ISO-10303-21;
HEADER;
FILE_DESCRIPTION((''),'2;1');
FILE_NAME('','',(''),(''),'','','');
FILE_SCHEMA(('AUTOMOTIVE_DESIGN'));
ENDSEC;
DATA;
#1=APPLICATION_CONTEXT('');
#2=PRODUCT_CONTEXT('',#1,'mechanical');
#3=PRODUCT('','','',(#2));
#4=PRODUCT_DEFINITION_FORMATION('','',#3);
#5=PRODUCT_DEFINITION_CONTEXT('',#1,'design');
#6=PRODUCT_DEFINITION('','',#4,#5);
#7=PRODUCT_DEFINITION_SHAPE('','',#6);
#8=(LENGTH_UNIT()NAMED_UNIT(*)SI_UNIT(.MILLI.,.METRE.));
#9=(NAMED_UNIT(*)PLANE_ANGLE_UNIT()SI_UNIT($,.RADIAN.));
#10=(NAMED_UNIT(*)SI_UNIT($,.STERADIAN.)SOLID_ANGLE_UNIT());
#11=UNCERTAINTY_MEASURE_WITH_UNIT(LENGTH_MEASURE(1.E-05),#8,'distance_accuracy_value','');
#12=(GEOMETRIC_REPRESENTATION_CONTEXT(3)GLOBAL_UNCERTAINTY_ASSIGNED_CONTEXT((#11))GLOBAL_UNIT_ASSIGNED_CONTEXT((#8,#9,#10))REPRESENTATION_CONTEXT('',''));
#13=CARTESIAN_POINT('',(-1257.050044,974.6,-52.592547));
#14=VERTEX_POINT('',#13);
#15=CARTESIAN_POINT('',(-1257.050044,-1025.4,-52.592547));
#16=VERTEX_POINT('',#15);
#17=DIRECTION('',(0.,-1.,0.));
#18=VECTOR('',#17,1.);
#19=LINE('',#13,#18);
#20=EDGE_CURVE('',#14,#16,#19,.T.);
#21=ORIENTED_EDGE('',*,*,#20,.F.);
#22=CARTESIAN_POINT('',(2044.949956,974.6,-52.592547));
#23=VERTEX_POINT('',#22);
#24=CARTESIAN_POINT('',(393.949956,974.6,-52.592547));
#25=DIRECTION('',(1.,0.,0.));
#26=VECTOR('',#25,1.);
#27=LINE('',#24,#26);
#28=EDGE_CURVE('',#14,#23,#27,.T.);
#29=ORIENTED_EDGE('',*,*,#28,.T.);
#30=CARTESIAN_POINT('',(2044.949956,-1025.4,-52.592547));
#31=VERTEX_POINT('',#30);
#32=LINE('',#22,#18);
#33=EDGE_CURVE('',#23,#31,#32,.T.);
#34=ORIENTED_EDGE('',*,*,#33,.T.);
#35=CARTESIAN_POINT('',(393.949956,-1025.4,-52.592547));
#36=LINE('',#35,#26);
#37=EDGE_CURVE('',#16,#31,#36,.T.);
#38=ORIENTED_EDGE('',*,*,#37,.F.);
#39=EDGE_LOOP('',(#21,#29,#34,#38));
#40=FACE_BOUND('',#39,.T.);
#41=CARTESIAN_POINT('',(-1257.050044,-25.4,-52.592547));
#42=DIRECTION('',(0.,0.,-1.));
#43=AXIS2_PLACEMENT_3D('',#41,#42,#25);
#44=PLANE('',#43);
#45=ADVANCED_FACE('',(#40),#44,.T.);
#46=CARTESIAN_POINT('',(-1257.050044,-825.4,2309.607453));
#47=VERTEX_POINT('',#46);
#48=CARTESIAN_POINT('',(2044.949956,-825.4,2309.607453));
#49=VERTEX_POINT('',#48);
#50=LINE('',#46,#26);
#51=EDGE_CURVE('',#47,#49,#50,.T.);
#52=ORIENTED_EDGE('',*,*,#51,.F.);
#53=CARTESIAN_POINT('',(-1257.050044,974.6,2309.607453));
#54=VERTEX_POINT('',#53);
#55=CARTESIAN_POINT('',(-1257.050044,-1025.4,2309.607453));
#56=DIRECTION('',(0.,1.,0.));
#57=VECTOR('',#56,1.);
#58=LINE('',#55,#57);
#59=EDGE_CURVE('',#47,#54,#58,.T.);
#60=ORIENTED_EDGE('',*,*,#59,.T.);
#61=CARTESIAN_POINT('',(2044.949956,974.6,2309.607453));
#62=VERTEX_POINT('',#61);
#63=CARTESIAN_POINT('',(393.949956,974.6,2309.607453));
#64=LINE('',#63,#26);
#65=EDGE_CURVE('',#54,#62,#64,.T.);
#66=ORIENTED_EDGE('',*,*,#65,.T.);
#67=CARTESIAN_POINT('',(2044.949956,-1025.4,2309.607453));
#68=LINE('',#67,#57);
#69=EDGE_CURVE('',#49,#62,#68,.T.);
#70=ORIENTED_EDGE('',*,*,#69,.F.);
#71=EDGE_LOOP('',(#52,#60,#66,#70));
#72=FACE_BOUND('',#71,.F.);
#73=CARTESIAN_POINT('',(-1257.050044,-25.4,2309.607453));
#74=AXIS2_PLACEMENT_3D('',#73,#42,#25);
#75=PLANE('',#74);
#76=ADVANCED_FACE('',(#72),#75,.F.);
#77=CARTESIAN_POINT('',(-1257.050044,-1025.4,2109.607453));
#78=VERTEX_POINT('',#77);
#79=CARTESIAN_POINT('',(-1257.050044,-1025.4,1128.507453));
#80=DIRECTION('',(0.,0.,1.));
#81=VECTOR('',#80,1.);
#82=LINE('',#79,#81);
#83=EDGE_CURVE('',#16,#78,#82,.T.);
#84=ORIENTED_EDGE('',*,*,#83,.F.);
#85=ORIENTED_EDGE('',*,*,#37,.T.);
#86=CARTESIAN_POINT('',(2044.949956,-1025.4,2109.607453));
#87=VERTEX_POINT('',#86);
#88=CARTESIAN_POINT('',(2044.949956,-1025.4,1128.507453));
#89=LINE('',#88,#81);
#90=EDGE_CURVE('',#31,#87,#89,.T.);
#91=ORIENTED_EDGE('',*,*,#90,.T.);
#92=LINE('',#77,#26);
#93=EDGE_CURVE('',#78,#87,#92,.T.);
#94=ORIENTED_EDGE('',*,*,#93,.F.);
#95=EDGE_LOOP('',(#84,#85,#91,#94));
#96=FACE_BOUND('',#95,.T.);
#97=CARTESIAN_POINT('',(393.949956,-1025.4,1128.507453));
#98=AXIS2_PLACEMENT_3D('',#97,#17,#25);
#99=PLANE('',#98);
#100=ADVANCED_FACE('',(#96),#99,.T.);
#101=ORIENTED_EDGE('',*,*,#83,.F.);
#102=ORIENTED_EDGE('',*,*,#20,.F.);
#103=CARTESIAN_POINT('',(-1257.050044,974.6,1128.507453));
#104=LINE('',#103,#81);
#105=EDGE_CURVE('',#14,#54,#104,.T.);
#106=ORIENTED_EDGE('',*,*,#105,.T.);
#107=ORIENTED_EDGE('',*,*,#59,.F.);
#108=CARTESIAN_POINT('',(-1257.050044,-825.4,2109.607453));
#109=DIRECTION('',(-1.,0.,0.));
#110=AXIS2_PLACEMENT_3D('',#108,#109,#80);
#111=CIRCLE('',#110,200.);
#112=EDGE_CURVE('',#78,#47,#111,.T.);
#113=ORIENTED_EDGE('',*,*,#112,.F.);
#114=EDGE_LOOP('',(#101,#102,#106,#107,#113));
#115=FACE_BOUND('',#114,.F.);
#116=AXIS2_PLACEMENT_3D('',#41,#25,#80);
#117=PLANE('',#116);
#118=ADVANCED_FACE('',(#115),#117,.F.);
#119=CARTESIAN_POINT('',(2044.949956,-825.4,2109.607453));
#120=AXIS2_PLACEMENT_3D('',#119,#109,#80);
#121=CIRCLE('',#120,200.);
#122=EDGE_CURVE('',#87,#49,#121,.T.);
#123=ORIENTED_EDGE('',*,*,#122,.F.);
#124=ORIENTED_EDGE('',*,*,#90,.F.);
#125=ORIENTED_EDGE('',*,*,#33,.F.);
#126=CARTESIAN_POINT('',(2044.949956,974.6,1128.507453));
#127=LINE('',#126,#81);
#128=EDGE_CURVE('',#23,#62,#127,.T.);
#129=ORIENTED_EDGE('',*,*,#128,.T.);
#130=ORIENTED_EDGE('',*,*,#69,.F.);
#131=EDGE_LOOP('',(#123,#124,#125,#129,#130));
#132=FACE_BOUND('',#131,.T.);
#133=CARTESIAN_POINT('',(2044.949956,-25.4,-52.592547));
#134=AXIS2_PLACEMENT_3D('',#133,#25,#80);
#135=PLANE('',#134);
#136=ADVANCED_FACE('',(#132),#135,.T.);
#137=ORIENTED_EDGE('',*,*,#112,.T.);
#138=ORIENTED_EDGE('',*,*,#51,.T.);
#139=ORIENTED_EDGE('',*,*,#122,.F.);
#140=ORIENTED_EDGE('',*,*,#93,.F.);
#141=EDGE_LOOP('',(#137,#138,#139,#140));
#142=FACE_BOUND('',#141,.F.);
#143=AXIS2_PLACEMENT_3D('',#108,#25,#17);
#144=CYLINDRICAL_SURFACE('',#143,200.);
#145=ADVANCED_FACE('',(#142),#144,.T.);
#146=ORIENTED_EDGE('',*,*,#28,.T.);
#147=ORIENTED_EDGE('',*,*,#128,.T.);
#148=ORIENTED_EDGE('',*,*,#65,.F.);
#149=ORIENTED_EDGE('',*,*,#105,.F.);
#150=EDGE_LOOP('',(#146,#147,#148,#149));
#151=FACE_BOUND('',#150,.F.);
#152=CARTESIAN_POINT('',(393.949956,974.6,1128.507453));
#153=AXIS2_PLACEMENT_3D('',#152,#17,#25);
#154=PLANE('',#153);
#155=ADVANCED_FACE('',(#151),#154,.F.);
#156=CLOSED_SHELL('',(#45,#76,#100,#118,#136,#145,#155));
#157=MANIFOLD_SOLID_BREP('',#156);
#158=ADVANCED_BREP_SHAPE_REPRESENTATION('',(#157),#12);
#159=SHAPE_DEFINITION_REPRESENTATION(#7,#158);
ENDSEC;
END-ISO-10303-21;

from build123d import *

# Parameters (mm, degrees)
F0_W     = 3302
F0_H     = 2362.2
F1_DEPTH = 25.4
F2_DEPTH = 1000
F3_R     = 200


with BuildPart() as f1:
    # F0 (on Front) → F1 (new body)
    with BuildSketch(Plane.XZ):
        with Locations((393.9499557018, 1128.5074533472)):
            Rectangle(F0_W, F0_H)
    extrude(amount=F1_DEPTH)

    # F2 (add, symmetric): a face of the model
    f2_faces = [f1.faces().sort_by_distance(p)[0] for p in [
        (393.9499557018, -25.4, 1128.5074533472),
    ]]
    extrude(f2_faces, amount=F2_DEPTH, both=True)

    # F3
    f3_edges = [f1.edges().sort_by_distance(p)[0] for p in [
        (393.949956, -1025.4, 2309.607453),
    ]]
    fillet(f3_edges, radius=F3_R)


solid = f1.part
